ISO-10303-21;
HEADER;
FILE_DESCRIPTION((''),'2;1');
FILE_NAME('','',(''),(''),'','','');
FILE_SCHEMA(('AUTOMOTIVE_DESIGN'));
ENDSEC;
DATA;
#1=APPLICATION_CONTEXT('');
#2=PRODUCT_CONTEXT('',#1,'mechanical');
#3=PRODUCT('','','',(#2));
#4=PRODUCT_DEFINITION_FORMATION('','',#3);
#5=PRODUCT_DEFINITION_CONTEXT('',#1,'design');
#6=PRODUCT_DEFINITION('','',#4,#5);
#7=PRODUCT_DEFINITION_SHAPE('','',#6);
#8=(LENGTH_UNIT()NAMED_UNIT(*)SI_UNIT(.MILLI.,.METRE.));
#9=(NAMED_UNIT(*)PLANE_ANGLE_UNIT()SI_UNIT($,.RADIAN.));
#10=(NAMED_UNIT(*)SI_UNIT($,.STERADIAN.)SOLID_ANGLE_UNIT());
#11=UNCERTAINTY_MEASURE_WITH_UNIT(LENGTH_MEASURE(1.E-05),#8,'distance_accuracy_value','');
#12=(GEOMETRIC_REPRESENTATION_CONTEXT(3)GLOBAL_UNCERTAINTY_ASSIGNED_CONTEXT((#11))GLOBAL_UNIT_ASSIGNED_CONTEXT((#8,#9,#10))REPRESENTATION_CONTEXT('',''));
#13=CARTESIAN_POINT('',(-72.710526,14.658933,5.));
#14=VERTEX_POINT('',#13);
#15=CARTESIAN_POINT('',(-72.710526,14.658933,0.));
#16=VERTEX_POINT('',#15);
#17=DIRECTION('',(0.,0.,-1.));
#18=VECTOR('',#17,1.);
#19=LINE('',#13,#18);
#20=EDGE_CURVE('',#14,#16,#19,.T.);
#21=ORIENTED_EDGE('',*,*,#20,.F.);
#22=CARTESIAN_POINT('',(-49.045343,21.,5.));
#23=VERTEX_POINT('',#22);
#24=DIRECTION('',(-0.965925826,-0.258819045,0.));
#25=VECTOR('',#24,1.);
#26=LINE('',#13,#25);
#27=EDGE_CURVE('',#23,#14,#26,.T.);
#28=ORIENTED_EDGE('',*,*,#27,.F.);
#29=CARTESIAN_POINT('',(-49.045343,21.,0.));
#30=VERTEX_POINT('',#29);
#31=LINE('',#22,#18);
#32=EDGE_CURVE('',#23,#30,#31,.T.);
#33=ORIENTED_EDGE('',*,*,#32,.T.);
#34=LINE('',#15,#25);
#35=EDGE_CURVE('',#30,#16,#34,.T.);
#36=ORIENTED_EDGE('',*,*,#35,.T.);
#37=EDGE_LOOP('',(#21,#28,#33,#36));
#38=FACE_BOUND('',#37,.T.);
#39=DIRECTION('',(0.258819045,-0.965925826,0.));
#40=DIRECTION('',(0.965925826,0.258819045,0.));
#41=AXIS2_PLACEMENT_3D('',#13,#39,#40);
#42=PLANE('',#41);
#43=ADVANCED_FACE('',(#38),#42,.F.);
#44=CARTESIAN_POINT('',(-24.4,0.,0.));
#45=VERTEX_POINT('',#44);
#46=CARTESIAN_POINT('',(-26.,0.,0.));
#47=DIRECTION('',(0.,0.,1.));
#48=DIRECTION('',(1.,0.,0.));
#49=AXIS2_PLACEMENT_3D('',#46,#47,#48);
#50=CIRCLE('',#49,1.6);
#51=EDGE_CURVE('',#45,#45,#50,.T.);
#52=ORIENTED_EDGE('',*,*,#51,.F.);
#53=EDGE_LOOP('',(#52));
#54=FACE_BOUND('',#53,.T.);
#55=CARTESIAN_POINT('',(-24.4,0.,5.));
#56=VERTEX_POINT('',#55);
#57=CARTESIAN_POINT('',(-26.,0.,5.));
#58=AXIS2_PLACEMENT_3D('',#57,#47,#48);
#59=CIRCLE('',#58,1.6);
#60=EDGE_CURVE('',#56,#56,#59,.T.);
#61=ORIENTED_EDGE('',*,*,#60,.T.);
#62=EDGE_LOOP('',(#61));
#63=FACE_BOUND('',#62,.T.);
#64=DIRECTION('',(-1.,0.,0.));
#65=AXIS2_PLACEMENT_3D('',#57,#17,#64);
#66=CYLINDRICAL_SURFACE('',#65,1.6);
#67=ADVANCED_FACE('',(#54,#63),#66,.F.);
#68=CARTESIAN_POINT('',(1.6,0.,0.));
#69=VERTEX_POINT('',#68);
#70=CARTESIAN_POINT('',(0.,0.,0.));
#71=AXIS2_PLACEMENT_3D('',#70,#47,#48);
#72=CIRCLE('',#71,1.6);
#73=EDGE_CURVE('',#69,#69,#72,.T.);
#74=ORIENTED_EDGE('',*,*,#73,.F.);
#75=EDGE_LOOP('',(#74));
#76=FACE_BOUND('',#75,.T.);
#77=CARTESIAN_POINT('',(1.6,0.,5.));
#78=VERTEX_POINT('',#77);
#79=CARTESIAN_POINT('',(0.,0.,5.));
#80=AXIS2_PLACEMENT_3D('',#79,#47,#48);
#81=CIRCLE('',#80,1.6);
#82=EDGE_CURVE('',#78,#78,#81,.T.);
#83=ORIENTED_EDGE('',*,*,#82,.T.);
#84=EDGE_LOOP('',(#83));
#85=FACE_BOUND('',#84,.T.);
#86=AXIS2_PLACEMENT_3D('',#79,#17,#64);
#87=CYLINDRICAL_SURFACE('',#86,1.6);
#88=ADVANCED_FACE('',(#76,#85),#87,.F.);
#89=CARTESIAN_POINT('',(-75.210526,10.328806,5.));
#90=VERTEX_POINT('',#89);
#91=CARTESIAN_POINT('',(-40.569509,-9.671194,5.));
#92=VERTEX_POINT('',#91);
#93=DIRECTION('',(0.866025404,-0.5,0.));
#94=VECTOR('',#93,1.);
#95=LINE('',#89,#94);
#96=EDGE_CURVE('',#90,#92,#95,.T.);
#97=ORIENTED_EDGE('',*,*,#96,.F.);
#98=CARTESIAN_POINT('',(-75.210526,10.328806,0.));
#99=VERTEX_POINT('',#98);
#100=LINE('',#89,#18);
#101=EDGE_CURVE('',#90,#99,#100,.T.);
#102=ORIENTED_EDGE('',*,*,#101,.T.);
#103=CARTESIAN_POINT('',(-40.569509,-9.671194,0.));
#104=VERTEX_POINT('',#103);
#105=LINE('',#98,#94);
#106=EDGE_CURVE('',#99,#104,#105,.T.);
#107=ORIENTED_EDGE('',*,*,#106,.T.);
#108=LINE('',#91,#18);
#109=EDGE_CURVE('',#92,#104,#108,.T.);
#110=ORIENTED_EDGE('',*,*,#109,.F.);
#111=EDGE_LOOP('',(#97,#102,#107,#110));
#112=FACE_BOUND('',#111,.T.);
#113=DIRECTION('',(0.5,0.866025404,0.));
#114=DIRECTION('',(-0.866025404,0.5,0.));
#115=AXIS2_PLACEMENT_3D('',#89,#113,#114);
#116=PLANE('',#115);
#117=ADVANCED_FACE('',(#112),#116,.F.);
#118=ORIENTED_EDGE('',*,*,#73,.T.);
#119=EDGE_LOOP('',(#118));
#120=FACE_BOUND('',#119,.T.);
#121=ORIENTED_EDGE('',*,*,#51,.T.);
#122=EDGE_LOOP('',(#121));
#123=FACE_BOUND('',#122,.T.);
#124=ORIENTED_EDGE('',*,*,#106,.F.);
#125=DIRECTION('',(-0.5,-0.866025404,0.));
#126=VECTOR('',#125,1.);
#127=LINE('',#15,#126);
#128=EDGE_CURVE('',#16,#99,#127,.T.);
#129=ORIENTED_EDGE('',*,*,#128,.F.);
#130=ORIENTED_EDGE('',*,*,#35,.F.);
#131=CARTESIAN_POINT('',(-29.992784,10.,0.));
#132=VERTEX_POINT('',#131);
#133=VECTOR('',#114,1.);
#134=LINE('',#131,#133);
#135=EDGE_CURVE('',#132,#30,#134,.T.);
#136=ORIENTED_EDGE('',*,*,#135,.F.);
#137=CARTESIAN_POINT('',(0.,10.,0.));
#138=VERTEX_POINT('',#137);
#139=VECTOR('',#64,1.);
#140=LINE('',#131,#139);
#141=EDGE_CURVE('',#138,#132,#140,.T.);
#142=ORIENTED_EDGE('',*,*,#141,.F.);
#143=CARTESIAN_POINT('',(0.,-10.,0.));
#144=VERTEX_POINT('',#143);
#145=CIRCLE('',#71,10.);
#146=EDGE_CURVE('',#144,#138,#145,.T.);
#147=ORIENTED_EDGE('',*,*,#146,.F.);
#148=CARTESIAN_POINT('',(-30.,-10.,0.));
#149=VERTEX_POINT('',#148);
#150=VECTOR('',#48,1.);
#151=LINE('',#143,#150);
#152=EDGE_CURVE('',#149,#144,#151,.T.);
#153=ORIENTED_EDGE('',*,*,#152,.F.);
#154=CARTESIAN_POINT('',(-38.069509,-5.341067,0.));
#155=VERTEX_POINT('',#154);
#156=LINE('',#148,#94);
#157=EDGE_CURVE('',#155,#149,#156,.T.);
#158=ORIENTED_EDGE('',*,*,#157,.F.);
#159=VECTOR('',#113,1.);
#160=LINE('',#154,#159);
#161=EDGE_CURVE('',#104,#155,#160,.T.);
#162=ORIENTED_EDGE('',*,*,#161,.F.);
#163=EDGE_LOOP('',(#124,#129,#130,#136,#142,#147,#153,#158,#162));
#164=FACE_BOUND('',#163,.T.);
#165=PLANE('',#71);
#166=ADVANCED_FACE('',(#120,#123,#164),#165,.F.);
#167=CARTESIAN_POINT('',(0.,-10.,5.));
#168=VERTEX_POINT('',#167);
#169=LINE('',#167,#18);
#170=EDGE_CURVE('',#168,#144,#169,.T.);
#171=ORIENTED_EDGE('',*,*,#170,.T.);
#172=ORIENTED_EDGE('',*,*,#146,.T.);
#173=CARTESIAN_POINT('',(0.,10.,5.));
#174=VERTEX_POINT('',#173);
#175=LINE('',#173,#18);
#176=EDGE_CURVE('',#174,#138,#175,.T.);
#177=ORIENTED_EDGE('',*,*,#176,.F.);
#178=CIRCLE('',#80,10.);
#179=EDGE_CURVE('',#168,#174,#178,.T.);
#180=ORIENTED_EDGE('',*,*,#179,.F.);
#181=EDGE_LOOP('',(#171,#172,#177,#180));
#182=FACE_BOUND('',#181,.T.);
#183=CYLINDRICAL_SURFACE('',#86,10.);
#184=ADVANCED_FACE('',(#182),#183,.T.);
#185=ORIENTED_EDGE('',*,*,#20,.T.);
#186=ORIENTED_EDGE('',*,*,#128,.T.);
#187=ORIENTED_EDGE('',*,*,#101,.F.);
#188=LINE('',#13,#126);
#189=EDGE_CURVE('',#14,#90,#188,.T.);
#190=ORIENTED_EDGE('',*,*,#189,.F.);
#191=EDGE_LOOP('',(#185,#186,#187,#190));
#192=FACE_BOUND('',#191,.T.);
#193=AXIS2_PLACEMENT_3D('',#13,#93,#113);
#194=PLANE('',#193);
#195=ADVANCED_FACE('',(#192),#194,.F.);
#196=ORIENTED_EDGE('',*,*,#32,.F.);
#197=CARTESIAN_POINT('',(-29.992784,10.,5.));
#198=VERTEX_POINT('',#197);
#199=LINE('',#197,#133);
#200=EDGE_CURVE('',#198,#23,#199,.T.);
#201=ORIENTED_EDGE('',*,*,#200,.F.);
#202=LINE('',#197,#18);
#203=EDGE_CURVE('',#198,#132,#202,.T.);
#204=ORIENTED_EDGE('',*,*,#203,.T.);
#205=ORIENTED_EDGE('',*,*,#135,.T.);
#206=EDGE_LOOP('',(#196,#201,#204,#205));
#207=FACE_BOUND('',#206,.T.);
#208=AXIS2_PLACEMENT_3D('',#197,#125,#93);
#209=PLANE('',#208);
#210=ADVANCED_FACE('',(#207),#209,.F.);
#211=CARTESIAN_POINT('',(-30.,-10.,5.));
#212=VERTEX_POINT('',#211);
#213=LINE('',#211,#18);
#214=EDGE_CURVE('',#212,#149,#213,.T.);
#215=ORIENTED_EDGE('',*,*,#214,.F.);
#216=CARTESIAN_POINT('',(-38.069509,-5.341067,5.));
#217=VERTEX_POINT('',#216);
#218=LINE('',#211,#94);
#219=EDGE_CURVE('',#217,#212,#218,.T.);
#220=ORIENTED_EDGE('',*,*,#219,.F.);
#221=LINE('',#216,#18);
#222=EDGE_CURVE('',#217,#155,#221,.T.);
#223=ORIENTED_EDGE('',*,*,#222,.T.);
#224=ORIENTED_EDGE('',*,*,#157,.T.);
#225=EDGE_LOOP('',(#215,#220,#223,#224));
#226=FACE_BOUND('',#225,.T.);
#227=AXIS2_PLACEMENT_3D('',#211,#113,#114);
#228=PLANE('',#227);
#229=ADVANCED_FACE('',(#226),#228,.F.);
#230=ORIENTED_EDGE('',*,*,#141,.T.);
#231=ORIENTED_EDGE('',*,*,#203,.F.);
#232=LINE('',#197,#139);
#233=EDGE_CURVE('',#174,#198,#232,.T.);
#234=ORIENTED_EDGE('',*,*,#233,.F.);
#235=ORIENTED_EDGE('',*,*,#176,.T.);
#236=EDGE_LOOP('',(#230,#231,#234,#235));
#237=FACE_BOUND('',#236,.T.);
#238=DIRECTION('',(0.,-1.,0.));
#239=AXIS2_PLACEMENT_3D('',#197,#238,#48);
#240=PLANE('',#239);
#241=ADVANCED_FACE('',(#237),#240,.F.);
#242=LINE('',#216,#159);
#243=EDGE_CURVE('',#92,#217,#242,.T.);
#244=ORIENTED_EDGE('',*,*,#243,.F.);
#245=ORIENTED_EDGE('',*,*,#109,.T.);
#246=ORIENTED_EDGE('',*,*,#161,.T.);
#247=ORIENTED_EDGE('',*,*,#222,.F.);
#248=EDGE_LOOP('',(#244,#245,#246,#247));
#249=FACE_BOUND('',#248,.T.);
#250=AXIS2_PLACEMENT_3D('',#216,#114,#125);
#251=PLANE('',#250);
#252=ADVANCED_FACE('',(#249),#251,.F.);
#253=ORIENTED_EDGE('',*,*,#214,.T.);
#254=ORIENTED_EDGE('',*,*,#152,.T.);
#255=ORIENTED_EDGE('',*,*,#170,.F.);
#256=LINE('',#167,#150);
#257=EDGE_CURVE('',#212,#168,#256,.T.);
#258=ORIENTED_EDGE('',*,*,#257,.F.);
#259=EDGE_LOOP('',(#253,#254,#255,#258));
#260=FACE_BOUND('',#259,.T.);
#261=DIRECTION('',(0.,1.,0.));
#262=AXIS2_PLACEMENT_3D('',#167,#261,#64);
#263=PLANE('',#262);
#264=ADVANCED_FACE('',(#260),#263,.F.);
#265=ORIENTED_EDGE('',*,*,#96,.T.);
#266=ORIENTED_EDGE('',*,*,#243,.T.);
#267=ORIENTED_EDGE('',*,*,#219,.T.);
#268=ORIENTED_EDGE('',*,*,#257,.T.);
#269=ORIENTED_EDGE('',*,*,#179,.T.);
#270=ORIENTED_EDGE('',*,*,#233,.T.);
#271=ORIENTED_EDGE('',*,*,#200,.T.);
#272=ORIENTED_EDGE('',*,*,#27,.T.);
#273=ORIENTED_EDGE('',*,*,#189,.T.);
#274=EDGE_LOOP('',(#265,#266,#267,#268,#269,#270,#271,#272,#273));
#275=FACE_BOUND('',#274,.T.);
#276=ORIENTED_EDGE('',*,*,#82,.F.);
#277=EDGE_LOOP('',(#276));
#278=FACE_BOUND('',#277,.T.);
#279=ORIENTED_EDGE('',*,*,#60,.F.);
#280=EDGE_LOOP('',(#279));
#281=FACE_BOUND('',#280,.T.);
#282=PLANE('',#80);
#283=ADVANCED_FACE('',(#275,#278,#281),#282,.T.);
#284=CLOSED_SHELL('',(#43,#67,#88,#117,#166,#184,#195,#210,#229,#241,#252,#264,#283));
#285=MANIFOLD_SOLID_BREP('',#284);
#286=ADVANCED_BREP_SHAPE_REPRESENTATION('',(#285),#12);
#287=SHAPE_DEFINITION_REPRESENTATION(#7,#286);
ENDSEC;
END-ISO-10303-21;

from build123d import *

# Parameters (mm, degrees)
SKETCH2_R           = 1.6
BOSS_EXTRUDE1_DEPTH = 5


with BuildPart() as part:
    # Sketch2 → Boss-Extrude1 (new body)
    with BuildSketch(Plane(origin=(0, 0, 0), x_dir=(0, 1, 0), z_dir=(0, 0, 1))):
        with BuildLine():
            Line((-10, 0), (-10, 30))
            Line((-10, 30), (-5.341066605, 38.069509349))
            Line((-5.341066605, 38.069509349), (-9.671193624, 40.569509349))
            Line((-9.671193624, 40.569509349), (10.328806376, 75.210525501))
            Line((10.328806376, 75.210525501), (14.658933395, 72.710525501))
            Line((14.658933395, 72.710525501), (21, 49.045342756))
            Line((21, 49.045342756), (10, 29.992783873))
            Line((10, 29.992783873), (10, 0))
            ThreePointArc((10, 0), (0, -10), (-10, 0))
        make_face()
        with Locations(Location((0, 0, 0), (0, 0, 270))):
            Circle(SKETCH2_R, mode=Mode.SUBTRACT)
        with Locations(Location((0, 26, 0), (0, 0, 270))):
            Circle(SKETCH2_R, mode=Mode.SUBTRACT)
    extrude(amount=BOSS_EXTRUDE1_DEPTH)


solid = part.part
